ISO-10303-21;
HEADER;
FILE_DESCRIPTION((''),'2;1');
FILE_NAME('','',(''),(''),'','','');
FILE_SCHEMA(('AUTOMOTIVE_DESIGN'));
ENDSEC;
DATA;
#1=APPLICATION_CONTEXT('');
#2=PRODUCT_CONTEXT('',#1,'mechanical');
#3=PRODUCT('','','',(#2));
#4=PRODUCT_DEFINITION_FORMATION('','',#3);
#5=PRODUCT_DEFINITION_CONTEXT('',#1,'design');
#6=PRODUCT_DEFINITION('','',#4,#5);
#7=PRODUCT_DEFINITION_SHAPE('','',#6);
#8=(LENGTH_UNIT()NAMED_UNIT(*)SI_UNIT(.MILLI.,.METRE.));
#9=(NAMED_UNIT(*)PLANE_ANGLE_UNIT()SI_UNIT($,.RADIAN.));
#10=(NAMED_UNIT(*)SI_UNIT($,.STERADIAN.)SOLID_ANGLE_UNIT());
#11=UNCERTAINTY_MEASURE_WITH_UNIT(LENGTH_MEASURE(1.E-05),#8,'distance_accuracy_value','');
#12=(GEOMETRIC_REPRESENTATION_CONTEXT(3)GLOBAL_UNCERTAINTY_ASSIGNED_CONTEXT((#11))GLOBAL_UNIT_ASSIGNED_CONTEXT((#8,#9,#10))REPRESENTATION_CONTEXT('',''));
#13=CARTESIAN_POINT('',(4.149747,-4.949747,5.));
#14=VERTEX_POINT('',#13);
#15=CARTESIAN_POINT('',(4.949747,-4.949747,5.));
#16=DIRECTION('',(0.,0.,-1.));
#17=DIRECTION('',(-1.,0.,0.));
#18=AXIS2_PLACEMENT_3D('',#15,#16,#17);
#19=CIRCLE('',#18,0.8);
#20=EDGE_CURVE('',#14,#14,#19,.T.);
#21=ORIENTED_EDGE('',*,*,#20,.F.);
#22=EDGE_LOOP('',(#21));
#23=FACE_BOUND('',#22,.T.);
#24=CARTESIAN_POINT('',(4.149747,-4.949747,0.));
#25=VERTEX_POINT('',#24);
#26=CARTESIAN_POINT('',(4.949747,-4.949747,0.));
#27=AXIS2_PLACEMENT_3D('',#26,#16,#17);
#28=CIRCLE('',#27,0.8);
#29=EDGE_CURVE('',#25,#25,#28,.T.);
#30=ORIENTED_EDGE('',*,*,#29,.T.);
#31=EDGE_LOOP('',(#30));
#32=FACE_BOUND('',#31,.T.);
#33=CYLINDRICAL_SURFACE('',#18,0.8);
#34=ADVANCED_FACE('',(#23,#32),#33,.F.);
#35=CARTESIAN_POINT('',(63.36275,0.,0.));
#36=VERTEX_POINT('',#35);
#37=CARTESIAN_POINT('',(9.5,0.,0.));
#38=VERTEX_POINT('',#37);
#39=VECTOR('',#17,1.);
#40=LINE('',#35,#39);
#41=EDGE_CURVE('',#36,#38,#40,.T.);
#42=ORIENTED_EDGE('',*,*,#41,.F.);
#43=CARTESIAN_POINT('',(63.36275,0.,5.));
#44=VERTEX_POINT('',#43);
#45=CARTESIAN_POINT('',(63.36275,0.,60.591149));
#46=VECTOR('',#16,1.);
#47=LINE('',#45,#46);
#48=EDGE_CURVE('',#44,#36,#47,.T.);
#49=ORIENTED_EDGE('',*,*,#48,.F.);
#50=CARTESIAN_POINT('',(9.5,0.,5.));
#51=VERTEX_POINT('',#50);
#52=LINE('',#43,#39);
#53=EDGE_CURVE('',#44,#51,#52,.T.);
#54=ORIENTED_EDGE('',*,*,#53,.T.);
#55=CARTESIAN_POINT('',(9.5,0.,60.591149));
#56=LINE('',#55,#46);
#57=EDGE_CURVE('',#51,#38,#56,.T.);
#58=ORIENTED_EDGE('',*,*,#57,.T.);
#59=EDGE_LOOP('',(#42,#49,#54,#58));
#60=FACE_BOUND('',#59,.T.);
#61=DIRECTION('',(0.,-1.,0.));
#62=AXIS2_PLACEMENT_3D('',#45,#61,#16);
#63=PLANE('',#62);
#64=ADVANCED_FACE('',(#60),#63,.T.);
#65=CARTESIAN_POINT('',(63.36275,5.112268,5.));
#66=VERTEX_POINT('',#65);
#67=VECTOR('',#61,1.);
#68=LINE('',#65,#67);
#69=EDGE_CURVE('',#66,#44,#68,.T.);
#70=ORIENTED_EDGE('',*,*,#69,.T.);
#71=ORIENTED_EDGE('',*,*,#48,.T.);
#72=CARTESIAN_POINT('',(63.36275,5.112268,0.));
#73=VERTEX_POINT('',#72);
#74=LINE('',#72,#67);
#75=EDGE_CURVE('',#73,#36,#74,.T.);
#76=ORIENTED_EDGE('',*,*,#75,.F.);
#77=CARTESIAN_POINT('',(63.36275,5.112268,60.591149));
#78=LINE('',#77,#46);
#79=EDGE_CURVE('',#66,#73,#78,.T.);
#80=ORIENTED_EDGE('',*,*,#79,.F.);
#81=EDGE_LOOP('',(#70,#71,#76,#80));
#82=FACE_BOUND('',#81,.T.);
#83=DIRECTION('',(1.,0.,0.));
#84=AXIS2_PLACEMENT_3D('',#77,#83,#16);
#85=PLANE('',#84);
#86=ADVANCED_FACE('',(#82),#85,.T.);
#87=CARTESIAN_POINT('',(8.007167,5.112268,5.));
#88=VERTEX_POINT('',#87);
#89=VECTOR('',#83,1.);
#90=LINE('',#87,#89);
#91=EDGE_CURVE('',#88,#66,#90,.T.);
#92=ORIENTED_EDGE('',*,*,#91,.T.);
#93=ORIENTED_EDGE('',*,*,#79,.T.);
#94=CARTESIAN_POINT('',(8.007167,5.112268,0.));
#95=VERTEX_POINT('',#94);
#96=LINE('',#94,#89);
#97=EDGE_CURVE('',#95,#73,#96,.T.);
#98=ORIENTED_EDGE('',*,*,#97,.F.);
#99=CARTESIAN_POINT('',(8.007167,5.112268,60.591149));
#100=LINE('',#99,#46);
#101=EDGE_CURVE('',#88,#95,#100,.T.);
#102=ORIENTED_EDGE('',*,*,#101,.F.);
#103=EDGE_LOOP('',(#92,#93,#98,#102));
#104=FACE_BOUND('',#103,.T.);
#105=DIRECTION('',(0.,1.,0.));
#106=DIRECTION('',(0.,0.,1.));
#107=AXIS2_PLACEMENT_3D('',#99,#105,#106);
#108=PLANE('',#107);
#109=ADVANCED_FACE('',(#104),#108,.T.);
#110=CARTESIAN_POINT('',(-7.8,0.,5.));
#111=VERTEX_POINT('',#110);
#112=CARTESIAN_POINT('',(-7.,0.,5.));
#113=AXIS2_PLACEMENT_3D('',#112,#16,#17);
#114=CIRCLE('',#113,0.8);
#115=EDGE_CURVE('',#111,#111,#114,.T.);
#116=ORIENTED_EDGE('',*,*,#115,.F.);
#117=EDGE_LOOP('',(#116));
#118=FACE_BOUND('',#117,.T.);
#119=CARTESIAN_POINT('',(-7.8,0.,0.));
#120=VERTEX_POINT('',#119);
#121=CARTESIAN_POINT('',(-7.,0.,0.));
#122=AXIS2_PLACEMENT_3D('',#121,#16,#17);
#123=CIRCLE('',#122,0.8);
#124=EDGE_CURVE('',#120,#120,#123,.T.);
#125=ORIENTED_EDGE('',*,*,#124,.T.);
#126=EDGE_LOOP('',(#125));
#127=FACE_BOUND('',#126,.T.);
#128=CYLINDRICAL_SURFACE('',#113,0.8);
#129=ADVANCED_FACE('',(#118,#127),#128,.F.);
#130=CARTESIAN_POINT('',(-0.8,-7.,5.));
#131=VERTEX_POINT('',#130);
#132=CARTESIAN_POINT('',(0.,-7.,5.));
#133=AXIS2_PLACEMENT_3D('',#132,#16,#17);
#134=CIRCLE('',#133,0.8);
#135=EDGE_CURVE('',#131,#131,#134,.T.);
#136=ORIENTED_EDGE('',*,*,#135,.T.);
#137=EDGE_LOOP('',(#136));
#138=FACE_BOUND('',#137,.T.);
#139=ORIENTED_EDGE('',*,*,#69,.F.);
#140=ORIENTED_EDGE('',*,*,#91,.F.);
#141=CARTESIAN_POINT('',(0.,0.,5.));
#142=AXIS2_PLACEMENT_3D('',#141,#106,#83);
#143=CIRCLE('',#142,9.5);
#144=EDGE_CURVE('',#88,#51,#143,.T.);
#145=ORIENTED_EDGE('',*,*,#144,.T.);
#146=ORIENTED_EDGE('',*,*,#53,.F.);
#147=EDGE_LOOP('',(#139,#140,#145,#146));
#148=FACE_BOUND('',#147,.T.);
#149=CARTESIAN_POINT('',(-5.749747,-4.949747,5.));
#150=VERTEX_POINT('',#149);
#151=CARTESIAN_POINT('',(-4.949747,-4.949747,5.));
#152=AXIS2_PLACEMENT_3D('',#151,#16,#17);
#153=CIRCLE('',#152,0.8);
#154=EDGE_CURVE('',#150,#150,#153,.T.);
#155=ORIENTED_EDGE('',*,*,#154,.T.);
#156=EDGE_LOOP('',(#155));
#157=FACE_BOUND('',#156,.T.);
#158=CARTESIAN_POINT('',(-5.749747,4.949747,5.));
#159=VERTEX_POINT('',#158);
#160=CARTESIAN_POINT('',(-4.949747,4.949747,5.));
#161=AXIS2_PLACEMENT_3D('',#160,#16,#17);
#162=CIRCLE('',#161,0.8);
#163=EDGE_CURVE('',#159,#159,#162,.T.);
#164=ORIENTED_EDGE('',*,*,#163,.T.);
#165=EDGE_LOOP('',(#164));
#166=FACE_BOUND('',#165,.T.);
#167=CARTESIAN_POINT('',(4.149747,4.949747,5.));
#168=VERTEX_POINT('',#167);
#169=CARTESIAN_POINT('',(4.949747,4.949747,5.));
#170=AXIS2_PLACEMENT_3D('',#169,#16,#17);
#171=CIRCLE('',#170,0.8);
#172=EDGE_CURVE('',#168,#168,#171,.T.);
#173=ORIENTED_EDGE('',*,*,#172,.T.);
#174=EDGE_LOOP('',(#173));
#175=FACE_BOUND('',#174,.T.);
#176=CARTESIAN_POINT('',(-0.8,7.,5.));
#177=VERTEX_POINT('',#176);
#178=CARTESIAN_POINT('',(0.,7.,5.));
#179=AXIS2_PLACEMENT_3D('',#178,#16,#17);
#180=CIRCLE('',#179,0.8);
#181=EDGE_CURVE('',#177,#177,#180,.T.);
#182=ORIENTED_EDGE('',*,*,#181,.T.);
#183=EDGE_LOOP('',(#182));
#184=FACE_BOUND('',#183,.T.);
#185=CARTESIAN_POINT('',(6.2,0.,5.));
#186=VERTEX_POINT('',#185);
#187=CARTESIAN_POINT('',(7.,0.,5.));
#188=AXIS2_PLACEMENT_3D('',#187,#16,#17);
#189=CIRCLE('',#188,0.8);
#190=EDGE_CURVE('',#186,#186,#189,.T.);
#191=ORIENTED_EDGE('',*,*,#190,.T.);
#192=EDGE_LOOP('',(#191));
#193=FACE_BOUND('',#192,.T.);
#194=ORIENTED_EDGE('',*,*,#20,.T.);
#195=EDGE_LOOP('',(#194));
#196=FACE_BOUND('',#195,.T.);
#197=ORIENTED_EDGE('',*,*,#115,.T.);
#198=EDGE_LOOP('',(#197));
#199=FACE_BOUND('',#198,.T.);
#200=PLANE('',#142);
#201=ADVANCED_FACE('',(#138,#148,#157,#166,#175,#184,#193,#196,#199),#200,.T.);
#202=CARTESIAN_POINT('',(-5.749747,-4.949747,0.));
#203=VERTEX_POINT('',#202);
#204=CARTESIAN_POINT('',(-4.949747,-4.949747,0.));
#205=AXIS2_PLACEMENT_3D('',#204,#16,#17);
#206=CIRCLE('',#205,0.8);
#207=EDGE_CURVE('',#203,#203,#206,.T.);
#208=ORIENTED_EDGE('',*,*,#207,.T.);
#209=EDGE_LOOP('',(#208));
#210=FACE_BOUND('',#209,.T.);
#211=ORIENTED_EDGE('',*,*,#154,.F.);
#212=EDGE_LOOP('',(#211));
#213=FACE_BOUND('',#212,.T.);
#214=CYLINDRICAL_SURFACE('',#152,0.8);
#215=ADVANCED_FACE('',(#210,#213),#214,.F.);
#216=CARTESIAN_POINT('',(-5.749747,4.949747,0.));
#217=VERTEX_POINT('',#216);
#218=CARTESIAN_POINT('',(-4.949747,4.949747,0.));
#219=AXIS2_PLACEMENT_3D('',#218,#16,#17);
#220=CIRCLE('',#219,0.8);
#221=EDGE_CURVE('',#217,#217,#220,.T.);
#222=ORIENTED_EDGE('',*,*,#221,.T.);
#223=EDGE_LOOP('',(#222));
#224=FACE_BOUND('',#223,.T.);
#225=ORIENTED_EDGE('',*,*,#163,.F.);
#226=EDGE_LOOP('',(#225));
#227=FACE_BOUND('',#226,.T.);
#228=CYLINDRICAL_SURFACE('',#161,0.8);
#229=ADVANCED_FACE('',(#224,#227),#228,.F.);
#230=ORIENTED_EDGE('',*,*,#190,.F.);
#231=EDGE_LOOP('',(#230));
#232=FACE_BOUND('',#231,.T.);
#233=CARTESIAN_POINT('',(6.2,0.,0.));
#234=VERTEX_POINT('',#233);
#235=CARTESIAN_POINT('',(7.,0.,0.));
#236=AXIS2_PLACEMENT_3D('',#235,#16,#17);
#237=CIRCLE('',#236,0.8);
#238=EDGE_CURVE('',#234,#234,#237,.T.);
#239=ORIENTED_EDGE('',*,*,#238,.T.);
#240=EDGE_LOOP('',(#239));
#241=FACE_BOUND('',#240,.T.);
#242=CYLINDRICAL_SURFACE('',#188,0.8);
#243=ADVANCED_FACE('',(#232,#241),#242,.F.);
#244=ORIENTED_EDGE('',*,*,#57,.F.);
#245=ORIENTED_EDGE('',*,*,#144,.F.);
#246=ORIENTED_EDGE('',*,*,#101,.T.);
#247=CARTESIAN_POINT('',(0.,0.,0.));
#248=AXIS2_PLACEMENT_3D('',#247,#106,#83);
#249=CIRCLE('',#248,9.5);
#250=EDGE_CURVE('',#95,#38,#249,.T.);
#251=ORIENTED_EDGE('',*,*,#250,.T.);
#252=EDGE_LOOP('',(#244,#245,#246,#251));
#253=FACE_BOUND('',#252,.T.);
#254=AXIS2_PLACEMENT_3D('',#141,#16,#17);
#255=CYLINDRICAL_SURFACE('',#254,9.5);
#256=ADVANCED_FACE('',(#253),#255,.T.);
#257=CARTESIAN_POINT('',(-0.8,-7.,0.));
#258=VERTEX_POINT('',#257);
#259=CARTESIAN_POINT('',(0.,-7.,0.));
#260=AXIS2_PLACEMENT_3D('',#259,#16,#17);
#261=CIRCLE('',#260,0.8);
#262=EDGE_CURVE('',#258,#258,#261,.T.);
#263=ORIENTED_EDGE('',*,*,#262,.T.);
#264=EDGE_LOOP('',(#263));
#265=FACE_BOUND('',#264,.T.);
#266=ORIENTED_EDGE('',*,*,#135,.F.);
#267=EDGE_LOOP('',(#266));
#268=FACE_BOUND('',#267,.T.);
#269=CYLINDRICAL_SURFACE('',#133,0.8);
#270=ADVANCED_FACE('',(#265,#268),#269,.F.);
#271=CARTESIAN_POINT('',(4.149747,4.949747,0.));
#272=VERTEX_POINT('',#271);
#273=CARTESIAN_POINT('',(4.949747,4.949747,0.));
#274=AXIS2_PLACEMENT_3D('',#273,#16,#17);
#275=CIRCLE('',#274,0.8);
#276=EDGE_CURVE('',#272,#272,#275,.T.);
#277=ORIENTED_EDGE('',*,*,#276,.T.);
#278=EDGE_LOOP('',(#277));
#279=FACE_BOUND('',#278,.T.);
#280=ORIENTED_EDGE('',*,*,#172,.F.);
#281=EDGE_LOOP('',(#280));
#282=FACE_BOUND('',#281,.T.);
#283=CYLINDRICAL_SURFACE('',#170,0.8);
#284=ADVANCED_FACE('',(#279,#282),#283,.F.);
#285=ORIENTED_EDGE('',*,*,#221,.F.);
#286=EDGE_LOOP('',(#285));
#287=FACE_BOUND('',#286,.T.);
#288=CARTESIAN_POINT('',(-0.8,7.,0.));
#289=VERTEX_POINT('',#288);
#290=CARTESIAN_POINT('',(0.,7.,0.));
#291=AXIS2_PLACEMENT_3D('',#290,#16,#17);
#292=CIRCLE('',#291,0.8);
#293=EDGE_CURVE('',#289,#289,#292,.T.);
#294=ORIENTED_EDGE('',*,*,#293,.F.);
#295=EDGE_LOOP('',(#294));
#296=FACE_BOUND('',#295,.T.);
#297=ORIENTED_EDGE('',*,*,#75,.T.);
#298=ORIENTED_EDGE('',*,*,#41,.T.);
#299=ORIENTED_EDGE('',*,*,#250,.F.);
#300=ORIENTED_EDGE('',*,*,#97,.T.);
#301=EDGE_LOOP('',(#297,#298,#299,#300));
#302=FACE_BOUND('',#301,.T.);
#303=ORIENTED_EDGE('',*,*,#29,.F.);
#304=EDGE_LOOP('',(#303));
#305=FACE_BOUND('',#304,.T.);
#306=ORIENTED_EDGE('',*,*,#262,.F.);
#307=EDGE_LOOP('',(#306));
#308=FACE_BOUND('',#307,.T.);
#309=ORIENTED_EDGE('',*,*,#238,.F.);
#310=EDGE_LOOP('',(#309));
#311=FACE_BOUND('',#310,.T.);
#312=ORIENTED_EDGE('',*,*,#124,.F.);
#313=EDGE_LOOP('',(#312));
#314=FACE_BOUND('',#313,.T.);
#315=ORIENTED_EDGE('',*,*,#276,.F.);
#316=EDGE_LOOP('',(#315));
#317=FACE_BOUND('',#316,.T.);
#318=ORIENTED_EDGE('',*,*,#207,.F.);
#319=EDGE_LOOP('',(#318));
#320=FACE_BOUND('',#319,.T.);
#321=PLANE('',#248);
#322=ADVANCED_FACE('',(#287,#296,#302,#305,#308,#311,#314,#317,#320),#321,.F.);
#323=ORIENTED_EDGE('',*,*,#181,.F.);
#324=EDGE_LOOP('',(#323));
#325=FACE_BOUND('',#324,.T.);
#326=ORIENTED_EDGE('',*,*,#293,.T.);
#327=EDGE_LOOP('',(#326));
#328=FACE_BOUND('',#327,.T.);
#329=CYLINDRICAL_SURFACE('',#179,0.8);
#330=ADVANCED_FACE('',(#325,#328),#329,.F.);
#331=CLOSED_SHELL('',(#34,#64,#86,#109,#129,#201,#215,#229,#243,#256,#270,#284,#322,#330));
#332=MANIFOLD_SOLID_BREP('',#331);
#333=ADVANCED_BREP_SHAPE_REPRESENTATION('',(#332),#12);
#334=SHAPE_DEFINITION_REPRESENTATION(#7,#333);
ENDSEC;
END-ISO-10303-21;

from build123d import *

# Parameters (mm, degrees)
SKETCH1_R           = 9.5
BOSS_EXTRUDE1_DEPTH = 5
BOSS_EXTRUDE2_DEPTH = 5
SKETCH4_R           = 0.8
CUT_EXTRUDE1_DEPTH  = 65.265761039


with BuildPart() as part:
    # Sketch1 → Boss-Extrude1 (new body)
    with BuildSketch(Plane.XY):
        Circle(SKETCH1_R)
    extrude(amount=BOSS_EXTRUDE1_DEPTH)

    # Sketch3 → Boss-Extrude2 (add)
    with BuildSketch(Plane(origin=(0, 0, 0), x_dir=(-1, 0, 0), z_dir=(0, 0, -1))):
        with BuildLine():
            Line((-8.007166595, 5.112267903), (-63.36274964, 5.112267903))
            Line((-63.36274964, 5.112267903), (-63.36274964, 0))
            Line((-63.36274964, 0), (-9.5, 0))
            ThreePointArc((-9.5, 0), (-9.119157929, 2.662885403), (-8.007166595, 5.112267903))
        make_face()
    extrude(amount=-BOSS_EXTRUDE2_DEPTH)

    # Sketch4 → Cut-Extrude1 (cut, through all)
    with BuildSketch(Plane(origin=(0, 0, 0), x_dir=(-1, 0, 0), z_dir=(0, 0, -1))):
        with Locations((0, 7)):
            Circle(SKETCH4_R)
        with Locations((4.949747468, 4.949747468)):
            Circle(SKETCH4_R)
        with Locations((7, 0)):
            Circle(SKETCH4_R)
        with Locations((4.949747468, -4.949747468)):
            Circle(SKETCH4_R)
        with Locations((0, -7)):
            Circle(SKETCH4_R)
        with Locations((-4.949747468, -4.949747468)):
            Circle(SKETCH4_R)
        with Locations((-7, 0)):
            Circle(SKETCH4_R)
        with Locations((-4.949747468, 4.949747468)):
            Circle(SKETCH4_R)
    extrude(amount=-CUT_EXTRUDE1_DEPTH, mode=Mode.SUBTRACT)


solid = part.part
